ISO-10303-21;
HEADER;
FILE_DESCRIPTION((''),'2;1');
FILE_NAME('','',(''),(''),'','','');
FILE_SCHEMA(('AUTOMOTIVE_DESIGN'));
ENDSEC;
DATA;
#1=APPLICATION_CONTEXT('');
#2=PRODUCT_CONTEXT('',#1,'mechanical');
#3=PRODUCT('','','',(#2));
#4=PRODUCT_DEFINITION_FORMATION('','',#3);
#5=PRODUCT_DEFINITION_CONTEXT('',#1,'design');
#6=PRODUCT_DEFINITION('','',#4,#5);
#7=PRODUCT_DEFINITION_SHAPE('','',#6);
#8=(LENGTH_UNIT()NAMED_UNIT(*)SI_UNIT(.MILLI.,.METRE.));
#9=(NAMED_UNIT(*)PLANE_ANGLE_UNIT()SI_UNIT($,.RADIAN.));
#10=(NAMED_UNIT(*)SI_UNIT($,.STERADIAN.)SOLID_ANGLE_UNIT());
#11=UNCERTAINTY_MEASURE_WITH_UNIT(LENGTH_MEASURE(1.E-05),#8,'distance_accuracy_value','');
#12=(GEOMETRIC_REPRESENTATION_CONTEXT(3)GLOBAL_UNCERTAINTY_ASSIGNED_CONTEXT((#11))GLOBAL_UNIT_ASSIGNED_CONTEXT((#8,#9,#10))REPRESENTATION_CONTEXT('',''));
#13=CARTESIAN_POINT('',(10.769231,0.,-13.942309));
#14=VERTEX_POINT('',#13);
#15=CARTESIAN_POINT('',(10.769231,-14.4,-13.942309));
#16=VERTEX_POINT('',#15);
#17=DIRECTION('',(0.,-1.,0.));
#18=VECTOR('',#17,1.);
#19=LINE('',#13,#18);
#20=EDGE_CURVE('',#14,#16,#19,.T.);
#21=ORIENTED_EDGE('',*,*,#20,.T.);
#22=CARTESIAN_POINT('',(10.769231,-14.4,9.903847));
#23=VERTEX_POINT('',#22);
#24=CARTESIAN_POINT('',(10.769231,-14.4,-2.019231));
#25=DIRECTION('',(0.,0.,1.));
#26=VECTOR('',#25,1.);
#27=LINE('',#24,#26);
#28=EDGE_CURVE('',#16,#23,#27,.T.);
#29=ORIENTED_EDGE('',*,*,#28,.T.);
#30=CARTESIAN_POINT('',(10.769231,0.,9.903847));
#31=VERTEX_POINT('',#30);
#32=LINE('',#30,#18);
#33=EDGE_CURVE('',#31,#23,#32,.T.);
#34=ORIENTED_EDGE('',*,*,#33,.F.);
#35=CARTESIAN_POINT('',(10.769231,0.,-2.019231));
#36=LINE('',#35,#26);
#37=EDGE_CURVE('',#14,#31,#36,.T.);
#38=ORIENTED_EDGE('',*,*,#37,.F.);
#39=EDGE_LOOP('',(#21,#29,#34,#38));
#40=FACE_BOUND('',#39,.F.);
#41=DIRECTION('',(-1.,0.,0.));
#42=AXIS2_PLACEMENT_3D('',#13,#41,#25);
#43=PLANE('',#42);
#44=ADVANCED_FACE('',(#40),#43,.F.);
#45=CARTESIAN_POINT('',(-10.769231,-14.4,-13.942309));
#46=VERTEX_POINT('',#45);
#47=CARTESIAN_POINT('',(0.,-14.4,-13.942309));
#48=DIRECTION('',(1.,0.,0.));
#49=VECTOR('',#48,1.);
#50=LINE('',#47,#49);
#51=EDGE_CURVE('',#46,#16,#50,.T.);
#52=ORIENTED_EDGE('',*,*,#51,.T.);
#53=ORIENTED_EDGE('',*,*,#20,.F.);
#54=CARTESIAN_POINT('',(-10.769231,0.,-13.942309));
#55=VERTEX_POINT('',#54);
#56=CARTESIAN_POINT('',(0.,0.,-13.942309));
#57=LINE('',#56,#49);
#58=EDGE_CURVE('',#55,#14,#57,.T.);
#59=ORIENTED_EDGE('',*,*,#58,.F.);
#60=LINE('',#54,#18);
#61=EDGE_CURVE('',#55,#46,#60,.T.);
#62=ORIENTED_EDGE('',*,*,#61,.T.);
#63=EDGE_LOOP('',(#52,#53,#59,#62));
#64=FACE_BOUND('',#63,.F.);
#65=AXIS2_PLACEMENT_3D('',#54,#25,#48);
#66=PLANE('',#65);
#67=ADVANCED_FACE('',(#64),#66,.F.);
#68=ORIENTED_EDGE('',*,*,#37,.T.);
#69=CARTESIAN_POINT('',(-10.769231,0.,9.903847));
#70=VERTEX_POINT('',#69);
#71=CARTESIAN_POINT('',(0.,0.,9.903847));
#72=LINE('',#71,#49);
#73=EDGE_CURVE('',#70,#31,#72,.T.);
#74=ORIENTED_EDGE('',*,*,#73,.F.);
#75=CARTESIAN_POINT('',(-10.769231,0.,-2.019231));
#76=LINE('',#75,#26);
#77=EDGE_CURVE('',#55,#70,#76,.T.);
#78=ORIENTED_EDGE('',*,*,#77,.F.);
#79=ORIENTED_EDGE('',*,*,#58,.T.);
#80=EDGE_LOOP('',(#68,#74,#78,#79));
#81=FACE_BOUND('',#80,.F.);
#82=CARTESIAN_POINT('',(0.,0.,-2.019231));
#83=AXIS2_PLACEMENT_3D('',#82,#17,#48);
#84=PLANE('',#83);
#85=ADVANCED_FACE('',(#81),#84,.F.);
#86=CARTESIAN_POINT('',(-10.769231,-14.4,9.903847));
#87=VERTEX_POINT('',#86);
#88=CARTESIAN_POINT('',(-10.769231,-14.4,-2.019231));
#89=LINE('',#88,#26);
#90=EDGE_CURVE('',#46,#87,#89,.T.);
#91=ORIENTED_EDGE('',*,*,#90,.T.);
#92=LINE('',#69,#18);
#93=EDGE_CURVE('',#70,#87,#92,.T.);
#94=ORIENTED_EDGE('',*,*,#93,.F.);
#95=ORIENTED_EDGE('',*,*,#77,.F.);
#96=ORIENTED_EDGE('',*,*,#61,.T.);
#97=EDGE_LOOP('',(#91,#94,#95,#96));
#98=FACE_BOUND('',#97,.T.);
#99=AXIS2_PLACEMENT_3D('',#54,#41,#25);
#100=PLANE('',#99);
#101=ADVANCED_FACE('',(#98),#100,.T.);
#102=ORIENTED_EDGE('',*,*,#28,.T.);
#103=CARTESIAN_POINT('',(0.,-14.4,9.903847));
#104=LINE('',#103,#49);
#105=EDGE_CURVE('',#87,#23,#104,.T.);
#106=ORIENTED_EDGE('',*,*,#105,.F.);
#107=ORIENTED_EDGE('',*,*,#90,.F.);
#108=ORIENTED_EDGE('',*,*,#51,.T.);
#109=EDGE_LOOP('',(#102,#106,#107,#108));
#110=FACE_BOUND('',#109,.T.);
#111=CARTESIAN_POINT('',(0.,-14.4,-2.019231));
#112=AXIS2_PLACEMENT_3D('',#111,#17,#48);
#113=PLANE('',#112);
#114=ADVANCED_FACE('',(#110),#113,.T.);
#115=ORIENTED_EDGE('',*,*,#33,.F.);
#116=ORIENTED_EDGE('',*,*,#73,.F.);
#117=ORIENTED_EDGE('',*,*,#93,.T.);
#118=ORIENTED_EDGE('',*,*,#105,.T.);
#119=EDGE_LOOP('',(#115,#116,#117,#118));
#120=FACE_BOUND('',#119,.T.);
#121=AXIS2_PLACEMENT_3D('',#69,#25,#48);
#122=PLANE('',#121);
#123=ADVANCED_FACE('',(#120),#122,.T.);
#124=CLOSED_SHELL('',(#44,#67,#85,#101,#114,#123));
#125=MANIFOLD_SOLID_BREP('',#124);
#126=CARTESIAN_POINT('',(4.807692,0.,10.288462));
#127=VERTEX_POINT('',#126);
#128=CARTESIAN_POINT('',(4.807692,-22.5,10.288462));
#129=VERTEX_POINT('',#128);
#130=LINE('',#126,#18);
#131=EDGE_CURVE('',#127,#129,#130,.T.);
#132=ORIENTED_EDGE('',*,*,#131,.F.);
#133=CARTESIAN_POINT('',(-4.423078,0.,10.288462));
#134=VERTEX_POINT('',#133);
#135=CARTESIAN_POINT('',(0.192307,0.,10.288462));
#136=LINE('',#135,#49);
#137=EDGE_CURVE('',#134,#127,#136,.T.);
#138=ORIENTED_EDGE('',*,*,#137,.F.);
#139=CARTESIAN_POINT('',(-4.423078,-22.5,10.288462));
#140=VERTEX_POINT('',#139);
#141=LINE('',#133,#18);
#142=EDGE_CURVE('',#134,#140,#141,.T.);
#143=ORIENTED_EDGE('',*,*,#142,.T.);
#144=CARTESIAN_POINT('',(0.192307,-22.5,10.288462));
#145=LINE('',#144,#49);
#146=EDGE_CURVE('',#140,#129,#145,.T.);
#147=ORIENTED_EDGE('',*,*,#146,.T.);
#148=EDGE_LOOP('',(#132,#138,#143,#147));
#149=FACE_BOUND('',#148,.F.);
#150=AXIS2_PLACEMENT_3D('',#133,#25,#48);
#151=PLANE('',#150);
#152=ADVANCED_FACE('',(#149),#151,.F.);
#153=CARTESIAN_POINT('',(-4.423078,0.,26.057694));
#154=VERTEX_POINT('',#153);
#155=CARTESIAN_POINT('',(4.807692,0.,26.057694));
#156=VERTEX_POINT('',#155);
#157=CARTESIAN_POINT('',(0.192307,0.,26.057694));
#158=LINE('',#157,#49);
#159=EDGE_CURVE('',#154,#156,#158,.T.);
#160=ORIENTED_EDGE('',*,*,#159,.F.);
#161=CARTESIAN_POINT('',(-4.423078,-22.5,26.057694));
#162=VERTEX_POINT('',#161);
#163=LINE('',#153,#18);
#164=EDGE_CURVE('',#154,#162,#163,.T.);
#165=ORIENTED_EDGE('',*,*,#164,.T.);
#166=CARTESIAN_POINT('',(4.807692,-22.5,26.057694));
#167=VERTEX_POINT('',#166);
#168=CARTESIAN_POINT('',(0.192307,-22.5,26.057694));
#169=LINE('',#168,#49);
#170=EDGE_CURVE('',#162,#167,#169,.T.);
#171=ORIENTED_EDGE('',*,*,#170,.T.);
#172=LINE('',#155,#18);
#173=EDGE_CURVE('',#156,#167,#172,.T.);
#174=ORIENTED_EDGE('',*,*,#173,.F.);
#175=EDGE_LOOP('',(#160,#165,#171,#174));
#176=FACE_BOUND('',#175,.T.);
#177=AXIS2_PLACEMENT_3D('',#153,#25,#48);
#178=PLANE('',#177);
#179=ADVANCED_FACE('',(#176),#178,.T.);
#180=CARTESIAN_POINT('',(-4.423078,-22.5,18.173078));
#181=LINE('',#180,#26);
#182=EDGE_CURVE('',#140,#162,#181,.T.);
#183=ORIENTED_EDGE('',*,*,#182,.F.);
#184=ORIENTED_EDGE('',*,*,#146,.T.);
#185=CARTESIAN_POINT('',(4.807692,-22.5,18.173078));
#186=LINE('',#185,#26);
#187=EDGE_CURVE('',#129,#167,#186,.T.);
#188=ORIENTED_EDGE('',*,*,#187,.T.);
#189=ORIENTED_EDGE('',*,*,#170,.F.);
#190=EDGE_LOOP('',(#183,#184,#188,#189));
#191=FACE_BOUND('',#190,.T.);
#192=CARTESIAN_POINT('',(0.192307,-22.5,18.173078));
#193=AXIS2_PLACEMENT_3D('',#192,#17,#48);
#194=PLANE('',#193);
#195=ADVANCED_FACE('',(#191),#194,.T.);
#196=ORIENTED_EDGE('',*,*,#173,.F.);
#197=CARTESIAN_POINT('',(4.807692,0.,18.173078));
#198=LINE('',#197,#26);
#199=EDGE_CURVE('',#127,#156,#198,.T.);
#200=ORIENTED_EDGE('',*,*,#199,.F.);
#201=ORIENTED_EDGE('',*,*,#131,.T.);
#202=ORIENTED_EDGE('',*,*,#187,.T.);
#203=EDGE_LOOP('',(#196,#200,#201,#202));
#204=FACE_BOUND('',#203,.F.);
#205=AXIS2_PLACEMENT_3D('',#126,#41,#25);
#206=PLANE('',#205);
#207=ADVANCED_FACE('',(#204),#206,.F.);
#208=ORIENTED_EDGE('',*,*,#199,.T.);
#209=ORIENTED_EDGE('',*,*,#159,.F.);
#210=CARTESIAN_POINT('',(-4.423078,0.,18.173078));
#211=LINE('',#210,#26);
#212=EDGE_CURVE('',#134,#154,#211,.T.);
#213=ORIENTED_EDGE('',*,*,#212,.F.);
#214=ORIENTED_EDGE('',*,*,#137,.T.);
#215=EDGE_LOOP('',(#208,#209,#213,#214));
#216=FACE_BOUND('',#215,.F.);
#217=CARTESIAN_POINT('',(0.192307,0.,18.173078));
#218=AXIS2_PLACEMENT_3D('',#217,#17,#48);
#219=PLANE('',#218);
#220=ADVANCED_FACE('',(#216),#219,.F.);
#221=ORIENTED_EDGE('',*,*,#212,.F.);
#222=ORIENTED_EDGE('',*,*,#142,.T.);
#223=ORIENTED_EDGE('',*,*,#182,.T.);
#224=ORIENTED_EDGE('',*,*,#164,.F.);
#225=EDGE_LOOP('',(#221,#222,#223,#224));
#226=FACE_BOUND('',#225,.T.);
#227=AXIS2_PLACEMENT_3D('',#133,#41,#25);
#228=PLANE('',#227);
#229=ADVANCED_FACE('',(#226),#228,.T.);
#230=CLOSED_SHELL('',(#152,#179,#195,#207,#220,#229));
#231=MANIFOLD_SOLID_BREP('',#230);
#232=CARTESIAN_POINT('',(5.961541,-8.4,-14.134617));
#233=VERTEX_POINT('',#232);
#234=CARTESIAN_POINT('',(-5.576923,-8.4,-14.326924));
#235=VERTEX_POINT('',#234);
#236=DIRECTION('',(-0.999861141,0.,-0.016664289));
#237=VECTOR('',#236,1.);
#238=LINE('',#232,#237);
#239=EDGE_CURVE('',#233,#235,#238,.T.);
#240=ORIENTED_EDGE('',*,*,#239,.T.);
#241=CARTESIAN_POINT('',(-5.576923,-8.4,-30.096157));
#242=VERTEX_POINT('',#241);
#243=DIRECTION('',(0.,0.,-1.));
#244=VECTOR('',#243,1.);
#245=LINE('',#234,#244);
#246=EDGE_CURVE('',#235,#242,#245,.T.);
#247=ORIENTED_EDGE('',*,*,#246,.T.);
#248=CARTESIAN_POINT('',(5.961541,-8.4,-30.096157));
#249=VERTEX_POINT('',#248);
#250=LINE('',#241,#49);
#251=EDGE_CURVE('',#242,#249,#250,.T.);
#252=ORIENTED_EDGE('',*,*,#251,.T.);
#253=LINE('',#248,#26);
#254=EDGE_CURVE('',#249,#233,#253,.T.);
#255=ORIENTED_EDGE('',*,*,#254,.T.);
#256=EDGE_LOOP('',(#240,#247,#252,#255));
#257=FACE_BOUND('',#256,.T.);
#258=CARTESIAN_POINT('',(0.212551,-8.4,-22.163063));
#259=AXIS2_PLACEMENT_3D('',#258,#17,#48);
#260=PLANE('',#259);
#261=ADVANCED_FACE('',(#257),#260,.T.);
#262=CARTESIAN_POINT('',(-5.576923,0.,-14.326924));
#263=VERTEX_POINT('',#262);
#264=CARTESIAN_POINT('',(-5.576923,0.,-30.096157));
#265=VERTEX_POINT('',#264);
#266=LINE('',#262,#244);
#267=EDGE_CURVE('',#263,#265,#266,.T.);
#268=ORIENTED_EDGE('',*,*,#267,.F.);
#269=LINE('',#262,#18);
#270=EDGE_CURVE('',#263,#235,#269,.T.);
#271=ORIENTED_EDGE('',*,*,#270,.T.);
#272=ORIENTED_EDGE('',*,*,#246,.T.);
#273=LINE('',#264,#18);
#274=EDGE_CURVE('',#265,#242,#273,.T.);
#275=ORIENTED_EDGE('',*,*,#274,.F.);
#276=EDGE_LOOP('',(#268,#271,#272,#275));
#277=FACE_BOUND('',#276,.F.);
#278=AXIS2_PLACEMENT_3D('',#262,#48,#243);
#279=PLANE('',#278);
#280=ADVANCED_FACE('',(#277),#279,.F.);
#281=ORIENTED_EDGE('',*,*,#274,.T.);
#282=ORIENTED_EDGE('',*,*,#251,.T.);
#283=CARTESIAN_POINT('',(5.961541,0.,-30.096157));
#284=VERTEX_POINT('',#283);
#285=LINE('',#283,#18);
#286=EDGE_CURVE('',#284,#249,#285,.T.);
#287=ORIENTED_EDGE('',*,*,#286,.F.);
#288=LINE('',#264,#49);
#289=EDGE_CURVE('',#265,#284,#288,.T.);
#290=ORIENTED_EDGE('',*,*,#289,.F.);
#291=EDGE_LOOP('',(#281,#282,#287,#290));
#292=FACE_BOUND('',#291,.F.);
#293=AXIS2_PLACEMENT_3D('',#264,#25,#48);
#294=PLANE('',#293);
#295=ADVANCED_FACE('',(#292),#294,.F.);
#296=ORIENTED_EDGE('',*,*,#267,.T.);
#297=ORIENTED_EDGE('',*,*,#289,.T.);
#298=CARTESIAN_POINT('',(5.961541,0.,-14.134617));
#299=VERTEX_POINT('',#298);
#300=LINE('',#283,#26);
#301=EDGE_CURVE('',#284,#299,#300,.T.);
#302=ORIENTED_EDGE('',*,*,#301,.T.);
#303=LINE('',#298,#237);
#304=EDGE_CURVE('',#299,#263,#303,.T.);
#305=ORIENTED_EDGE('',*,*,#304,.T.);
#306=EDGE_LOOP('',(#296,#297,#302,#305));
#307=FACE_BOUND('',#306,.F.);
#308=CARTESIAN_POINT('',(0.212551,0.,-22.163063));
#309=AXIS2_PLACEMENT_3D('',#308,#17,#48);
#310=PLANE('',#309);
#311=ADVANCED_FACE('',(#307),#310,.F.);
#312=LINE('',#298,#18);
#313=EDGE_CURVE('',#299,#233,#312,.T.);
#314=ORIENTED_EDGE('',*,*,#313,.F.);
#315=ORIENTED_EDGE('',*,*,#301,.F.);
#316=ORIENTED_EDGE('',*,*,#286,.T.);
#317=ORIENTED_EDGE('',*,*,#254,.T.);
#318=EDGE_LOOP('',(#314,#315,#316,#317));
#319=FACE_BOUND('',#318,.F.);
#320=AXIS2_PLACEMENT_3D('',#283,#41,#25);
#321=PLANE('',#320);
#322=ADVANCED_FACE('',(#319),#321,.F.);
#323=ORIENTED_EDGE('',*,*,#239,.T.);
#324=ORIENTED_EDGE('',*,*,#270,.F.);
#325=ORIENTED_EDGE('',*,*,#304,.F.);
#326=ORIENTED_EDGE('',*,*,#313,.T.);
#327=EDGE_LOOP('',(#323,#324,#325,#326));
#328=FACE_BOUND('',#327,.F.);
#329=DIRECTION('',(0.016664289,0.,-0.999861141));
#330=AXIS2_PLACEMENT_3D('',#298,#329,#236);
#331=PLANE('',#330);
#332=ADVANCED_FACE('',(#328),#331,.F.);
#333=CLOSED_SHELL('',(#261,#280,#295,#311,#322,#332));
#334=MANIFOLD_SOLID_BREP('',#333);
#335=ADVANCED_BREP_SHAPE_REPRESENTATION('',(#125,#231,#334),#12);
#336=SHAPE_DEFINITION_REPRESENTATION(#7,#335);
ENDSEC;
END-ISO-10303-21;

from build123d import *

# Parameters (mm, degrees)
F0_W     = 21.538461
F0_H     = 23.846156
F1_DEPTH = 14.4
F3_DEPTH = 8.4
F4_W     = 9.23077
F4_H     = 15.769232
F5_DEPTH = 22.5


with BuildPart() as f1:
    # F0 (on Front) → F1 (new body)
    with BuildSketch(Plane.XZ):
        with Locations((0, -2.019231)):
            Rectangle(F0_W, F0_H)
    extrude(amount=F1_DEPTH)


with BuildPart() as f3:
    # F2 (on Front) → F3 (new body)
    with BuildSketch(Plane.XZ):
        Polygon((5.961541, -14.134617), (-5.576923, -14.326924), (-5.576923, -30.096157), (5.961541, -30.096157), align=None)
    extrude(amount=F3_DEPTH)


with BuildPart() as f5:
    # F4 (on Front) → F5 (new body)
    with BuildSketch(Plane.XZ):
        with Locations((0.192307, 18.173078)):
            Rectangle(F4_W, F4_H)
    extrude(amount=F5_DEPTH)


solid = Compound([f1.part, f3.part, f5.part])
